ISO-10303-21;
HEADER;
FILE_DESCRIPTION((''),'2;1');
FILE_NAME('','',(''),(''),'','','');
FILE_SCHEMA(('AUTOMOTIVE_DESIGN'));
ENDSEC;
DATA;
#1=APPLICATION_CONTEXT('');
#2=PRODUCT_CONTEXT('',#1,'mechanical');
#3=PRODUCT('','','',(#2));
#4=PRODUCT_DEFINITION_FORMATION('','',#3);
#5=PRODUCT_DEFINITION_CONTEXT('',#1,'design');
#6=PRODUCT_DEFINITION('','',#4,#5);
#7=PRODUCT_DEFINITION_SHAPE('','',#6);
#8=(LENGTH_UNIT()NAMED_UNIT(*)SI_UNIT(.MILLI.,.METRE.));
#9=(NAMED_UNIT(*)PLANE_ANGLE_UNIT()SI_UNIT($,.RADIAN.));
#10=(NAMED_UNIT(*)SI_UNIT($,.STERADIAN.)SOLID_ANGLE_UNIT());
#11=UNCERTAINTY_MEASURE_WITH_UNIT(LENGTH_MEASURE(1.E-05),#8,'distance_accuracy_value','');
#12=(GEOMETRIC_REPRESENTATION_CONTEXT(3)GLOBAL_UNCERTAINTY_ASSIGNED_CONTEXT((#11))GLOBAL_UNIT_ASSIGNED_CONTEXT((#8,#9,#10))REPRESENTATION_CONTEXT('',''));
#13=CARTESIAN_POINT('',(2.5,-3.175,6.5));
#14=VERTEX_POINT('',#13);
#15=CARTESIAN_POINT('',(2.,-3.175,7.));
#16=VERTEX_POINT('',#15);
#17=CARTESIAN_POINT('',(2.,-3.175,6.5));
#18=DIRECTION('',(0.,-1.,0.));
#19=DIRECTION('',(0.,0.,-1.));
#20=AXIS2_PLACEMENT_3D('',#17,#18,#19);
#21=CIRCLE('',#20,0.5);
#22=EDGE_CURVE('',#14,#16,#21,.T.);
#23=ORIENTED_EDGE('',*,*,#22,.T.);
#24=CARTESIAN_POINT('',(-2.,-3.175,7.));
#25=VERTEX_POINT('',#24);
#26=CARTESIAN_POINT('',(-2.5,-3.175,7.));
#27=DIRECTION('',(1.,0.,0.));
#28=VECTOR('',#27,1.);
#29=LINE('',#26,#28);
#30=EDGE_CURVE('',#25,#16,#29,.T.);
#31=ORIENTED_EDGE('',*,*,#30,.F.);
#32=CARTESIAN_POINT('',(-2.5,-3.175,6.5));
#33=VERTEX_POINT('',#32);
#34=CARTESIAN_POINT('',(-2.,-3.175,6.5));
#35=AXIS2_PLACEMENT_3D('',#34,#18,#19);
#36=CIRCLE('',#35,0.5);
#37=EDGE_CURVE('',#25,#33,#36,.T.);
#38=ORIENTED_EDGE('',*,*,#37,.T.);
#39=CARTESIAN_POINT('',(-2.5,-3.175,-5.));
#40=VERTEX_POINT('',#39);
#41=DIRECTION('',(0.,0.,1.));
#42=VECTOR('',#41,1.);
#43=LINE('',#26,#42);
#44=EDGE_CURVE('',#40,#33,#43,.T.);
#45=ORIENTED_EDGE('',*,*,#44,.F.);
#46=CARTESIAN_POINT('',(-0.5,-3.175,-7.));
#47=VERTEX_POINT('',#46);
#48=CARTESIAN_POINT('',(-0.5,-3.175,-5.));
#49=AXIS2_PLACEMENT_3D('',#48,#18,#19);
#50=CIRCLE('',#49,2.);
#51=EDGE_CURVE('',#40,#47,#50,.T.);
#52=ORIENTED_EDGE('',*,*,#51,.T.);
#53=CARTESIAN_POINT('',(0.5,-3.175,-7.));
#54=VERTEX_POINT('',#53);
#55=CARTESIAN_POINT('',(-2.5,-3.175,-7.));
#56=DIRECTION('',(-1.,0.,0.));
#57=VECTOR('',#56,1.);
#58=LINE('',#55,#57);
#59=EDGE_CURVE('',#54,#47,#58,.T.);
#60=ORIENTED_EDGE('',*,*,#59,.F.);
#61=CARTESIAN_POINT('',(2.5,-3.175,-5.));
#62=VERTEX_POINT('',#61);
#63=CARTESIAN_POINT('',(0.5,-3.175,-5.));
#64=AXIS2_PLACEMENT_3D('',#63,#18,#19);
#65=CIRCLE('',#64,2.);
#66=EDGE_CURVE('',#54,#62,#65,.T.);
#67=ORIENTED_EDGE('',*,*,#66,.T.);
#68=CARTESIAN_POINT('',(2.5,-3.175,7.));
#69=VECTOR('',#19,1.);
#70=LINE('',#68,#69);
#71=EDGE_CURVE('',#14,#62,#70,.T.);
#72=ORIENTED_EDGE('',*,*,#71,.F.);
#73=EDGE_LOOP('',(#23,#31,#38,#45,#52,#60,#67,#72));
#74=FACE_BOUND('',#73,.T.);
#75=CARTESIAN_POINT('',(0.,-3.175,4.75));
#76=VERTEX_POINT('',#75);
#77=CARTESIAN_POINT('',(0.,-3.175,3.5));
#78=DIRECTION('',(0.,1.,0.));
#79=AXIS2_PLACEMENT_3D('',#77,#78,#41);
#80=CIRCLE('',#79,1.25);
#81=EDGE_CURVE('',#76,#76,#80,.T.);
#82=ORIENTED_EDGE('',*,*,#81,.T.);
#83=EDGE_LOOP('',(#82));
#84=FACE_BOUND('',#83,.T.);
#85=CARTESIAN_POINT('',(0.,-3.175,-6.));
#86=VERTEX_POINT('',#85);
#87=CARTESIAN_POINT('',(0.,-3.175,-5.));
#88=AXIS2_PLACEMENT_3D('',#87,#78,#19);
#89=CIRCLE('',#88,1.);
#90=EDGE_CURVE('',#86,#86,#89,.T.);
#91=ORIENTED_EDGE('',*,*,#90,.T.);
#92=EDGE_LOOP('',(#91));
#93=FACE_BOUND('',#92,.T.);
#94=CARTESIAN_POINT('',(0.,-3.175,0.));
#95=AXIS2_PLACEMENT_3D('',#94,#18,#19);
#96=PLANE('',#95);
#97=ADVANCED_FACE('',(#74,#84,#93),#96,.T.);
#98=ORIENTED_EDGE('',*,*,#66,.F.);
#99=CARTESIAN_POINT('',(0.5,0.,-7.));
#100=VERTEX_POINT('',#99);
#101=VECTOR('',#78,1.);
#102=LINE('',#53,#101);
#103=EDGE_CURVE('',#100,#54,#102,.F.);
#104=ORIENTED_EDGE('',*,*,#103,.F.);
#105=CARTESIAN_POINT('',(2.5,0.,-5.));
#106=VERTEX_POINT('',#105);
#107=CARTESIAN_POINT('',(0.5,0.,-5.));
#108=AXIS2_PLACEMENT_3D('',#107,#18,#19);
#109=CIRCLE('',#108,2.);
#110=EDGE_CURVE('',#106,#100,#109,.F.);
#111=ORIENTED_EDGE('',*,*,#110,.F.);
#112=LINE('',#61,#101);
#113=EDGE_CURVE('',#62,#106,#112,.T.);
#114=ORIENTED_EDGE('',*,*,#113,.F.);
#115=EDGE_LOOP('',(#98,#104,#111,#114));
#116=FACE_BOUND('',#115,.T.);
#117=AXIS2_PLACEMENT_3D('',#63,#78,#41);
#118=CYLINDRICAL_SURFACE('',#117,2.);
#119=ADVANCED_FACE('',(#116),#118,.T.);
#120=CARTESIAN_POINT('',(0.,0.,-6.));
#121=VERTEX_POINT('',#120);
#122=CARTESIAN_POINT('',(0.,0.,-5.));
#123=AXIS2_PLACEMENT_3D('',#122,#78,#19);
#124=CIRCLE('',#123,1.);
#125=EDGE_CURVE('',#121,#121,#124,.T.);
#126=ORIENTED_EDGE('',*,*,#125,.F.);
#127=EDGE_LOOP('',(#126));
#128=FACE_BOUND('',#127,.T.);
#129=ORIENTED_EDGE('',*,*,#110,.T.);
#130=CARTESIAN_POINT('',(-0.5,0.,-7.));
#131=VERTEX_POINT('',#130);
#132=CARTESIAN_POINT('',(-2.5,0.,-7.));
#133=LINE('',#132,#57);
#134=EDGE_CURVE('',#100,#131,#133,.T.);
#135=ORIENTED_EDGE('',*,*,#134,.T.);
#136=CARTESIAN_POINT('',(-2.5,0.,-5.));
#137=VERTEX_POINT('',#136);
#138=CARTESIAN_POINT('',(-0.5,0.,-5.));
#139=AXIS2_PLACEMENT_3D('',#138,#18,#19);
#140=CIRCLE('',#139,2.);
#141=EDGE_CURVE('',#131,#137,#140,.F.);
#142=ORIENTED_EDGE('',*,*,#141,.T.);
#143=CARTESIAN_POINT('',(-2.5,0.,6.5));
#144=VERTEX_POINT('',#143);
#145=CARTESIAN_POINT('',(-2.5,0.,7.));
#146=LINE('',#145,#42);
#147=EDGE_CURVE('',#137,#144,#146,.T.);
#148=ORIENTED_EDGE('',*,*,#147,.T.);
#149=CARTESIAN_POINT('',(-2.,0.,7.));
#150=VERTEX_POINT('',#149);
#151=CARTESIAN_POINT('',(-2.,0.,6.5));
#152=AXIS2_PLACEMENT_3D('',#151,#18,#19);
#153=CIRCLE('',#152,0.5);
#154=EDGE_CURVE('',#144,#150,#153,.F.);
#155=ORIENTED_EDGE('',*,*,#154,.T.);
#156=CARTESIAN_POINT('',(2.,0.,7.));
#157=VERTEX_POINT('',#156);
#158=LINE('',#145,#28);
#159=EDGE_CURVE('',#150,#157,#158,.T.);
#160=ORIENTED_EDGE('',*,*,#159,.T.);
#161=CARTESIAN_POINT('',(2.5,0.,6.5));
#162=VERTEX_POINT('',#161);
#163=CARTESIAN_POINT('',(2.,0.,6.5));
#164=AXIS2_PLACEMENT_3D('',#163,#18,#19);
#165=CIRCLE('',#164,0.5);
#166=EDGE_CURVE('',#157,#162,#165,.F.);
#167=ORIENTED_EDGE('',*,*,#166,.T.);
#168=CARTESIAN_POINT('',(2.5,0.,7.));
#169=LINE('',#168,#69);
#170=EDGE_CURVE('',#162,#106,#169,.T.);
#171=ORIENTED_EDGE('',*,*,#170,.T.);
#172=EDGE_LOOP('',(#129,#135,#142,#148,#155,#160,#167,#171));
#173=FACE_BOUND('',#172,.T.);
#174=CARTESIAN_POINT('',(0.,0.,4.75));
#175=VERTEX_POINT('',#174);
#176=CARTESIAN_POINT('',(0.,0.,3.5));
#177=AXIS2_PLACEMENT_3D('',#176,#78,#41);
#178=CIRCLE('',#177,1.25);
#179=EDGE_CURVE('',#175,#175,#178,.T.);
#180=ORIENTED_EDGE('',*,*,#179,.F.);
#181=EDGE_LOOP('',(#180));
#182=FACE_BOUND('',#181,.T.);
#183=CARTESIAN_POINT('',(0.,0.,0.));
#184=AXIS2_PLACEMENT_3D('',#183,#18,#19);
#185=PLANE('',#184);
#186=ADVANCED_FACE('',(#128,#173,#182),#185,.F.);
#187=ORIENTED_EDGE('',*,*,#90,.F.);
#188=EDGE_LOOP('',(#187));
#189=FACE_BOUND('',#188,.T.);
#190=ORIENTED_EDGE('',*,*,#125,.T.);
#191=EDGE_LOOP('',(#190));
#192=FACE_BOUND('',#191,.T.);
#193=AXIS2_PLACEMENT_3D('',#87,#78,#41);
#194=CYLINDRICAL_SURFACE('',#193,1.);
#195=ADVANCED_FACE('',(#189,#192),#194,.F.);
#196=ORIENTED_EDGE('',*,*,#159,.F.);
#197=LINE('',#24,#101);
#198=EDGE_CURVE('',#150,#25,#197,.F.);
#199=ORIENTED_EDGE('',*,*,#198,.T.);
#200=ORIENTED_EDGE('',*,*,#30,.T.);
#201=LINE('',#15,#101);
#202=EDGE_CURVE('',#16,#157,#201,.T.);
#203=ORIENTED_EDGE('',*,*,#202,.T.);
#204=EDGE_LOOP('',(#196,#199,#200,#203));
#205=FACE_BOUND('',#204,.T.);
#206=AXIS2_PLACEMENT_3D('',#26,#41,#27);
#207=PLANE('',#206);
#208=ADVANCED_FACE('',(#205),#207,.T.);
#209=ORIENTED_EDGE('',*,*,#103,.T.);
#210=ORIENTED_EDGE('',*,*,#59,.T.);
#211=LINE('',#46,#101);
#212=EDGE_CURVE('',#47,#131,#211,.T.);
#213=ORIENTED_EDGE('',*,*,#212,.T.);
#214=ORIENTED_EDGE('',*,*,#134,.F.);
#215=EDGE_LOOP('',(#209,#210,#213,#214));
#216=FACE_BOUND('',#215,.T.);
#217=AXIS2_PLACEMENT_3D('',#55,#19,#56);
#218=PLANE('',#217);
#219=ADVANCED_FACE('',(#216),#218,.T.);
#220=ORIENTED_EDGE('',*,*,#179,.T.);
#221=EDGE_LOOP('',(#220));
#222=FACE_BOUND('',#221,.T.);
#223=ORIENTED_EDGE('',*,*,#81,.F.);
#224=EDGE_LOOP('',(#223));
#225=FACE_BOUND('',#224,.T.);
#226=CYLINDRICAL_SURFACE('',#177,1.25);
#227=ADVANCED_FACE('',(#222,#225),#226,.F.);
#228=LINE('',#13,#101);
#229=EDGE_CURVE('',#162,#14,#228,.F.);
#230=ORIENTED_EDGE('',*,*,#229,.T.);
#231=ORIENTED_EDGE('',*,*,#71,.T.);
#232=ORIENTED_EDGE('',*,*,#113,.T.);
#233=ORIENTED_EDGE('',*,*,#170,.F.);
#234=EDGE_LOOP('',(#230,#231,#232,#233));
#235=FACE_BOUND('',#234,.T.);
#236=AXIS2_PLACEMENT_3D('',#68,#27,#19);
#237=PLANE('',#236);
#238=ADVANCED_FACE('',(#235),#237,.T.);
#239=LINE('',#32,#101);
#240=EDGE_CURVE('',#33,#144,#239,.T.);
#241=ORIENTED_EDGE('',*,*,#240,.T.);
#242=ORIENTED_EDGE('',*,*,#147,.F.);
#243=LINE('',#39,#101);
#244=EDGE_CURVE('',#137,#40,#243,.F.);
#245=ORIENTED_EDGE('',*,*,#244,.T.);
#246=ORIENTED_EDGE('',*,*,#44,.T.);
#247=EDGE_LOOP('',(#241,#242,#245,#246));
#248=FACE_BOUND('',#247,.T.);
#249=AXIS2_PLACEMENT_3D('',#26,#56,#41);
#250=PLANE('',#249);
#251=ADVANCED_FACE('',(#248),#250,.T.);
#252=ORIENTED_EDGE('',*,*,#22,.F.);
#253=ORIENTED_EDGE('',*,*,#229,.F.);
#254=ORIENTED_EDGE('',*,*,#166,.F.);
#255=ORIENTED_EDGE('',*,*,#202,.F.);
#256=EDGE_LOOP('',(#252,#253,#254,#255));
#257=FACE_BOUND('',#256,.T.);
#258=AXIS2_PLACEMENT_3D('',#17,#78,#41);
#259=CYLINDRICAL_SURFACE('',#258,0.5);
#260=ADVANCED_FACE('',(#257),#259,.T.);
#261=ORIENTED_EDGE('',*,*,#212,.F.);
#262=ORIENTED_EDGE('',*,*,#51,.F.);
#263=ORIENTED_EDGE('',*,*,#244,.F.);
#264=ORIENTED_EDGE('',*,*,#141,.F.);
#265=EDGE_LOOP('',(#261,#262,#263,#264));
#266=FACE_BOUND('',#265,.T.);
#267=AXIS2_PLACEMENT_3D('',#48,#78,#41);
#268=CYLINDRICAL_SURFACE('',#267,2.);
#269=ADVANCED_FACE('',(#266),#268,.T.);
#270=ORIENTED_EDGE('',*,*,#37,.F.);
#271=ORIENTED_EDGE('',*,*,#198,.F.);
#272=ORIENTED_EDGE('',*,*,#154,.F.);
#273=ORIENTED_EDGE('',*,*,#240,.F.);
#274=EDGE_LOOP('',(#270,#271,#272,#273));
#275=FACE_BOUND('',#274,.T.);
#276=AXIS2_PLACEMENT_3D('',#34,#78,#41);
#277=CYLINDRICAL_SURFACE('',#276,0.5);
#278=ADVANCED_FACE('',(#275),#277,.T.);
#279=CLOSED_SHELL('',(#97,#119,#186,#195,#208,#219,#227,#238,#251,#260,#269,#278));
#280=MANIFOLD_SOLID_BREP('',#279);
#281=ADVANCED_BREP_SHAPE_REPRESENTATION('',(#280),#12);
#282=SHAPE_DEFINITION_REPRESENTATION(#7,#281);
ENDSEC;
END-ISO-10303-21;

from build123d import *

# Parameters (mm, degrees)
SKETCH2_W             = 5
SKETCH2_H             = 14
SKETCH2_R             = 1
BOSS_EXTRUDE1_DEPTH   = 3.175
M3X0_5_TAPPED_HOLE1_D = 2.5
FILLET1_R             = 2
FILLET2_R             = 0.5


with BuildPart() as part:
    # Sketch2 → Boss-Extrude1 (new body)
    with BuildSketch(Plane(origin=(0, 0, 0), x_dir=(1, 0, 0), z_dir=(0, 1, 0))):
        Rectangle(SKETCH2_W, SKETCH2_H)
        with Locations(Location((0, 5, 0), (0, 0, 90))):
            Circle(SKETCH2_R, mode=Mode.SUBTRACT)
    extrude(amount=-BOSS_EXTRUDE1_DEPTH)

    # M3x0.5 Tapped Hole1 (through all)
    with Locations(Plane(origin=(0, 0, 0), x_dir=(1, 0, 0), z_dir=(0, 1, 0))):
        with Locations((0, -3.5)):
            Hole(M3X0_5_TAPPED_HOLE1_D / 2)

    # Fillet1
    fillet1_edges = [part.edges().sort_by_distance(p)[0] for p in [
        (-2.5, -1.5875, -7),
        (2.5, -1.5875, -7),
    ]]
    fillet(fillet1_edges, radius=FILLET1_R)

    # Fillet2
    fillet2_edges = [part.edges().sort_by_distance(p)[0] for p in [
        (2.5, -1.5875, 7),
        (-2.5, -1.5875, 7),
    ]]
    fillet(fillet2_edges, radius=FILLET2_R)


solid = part.part
